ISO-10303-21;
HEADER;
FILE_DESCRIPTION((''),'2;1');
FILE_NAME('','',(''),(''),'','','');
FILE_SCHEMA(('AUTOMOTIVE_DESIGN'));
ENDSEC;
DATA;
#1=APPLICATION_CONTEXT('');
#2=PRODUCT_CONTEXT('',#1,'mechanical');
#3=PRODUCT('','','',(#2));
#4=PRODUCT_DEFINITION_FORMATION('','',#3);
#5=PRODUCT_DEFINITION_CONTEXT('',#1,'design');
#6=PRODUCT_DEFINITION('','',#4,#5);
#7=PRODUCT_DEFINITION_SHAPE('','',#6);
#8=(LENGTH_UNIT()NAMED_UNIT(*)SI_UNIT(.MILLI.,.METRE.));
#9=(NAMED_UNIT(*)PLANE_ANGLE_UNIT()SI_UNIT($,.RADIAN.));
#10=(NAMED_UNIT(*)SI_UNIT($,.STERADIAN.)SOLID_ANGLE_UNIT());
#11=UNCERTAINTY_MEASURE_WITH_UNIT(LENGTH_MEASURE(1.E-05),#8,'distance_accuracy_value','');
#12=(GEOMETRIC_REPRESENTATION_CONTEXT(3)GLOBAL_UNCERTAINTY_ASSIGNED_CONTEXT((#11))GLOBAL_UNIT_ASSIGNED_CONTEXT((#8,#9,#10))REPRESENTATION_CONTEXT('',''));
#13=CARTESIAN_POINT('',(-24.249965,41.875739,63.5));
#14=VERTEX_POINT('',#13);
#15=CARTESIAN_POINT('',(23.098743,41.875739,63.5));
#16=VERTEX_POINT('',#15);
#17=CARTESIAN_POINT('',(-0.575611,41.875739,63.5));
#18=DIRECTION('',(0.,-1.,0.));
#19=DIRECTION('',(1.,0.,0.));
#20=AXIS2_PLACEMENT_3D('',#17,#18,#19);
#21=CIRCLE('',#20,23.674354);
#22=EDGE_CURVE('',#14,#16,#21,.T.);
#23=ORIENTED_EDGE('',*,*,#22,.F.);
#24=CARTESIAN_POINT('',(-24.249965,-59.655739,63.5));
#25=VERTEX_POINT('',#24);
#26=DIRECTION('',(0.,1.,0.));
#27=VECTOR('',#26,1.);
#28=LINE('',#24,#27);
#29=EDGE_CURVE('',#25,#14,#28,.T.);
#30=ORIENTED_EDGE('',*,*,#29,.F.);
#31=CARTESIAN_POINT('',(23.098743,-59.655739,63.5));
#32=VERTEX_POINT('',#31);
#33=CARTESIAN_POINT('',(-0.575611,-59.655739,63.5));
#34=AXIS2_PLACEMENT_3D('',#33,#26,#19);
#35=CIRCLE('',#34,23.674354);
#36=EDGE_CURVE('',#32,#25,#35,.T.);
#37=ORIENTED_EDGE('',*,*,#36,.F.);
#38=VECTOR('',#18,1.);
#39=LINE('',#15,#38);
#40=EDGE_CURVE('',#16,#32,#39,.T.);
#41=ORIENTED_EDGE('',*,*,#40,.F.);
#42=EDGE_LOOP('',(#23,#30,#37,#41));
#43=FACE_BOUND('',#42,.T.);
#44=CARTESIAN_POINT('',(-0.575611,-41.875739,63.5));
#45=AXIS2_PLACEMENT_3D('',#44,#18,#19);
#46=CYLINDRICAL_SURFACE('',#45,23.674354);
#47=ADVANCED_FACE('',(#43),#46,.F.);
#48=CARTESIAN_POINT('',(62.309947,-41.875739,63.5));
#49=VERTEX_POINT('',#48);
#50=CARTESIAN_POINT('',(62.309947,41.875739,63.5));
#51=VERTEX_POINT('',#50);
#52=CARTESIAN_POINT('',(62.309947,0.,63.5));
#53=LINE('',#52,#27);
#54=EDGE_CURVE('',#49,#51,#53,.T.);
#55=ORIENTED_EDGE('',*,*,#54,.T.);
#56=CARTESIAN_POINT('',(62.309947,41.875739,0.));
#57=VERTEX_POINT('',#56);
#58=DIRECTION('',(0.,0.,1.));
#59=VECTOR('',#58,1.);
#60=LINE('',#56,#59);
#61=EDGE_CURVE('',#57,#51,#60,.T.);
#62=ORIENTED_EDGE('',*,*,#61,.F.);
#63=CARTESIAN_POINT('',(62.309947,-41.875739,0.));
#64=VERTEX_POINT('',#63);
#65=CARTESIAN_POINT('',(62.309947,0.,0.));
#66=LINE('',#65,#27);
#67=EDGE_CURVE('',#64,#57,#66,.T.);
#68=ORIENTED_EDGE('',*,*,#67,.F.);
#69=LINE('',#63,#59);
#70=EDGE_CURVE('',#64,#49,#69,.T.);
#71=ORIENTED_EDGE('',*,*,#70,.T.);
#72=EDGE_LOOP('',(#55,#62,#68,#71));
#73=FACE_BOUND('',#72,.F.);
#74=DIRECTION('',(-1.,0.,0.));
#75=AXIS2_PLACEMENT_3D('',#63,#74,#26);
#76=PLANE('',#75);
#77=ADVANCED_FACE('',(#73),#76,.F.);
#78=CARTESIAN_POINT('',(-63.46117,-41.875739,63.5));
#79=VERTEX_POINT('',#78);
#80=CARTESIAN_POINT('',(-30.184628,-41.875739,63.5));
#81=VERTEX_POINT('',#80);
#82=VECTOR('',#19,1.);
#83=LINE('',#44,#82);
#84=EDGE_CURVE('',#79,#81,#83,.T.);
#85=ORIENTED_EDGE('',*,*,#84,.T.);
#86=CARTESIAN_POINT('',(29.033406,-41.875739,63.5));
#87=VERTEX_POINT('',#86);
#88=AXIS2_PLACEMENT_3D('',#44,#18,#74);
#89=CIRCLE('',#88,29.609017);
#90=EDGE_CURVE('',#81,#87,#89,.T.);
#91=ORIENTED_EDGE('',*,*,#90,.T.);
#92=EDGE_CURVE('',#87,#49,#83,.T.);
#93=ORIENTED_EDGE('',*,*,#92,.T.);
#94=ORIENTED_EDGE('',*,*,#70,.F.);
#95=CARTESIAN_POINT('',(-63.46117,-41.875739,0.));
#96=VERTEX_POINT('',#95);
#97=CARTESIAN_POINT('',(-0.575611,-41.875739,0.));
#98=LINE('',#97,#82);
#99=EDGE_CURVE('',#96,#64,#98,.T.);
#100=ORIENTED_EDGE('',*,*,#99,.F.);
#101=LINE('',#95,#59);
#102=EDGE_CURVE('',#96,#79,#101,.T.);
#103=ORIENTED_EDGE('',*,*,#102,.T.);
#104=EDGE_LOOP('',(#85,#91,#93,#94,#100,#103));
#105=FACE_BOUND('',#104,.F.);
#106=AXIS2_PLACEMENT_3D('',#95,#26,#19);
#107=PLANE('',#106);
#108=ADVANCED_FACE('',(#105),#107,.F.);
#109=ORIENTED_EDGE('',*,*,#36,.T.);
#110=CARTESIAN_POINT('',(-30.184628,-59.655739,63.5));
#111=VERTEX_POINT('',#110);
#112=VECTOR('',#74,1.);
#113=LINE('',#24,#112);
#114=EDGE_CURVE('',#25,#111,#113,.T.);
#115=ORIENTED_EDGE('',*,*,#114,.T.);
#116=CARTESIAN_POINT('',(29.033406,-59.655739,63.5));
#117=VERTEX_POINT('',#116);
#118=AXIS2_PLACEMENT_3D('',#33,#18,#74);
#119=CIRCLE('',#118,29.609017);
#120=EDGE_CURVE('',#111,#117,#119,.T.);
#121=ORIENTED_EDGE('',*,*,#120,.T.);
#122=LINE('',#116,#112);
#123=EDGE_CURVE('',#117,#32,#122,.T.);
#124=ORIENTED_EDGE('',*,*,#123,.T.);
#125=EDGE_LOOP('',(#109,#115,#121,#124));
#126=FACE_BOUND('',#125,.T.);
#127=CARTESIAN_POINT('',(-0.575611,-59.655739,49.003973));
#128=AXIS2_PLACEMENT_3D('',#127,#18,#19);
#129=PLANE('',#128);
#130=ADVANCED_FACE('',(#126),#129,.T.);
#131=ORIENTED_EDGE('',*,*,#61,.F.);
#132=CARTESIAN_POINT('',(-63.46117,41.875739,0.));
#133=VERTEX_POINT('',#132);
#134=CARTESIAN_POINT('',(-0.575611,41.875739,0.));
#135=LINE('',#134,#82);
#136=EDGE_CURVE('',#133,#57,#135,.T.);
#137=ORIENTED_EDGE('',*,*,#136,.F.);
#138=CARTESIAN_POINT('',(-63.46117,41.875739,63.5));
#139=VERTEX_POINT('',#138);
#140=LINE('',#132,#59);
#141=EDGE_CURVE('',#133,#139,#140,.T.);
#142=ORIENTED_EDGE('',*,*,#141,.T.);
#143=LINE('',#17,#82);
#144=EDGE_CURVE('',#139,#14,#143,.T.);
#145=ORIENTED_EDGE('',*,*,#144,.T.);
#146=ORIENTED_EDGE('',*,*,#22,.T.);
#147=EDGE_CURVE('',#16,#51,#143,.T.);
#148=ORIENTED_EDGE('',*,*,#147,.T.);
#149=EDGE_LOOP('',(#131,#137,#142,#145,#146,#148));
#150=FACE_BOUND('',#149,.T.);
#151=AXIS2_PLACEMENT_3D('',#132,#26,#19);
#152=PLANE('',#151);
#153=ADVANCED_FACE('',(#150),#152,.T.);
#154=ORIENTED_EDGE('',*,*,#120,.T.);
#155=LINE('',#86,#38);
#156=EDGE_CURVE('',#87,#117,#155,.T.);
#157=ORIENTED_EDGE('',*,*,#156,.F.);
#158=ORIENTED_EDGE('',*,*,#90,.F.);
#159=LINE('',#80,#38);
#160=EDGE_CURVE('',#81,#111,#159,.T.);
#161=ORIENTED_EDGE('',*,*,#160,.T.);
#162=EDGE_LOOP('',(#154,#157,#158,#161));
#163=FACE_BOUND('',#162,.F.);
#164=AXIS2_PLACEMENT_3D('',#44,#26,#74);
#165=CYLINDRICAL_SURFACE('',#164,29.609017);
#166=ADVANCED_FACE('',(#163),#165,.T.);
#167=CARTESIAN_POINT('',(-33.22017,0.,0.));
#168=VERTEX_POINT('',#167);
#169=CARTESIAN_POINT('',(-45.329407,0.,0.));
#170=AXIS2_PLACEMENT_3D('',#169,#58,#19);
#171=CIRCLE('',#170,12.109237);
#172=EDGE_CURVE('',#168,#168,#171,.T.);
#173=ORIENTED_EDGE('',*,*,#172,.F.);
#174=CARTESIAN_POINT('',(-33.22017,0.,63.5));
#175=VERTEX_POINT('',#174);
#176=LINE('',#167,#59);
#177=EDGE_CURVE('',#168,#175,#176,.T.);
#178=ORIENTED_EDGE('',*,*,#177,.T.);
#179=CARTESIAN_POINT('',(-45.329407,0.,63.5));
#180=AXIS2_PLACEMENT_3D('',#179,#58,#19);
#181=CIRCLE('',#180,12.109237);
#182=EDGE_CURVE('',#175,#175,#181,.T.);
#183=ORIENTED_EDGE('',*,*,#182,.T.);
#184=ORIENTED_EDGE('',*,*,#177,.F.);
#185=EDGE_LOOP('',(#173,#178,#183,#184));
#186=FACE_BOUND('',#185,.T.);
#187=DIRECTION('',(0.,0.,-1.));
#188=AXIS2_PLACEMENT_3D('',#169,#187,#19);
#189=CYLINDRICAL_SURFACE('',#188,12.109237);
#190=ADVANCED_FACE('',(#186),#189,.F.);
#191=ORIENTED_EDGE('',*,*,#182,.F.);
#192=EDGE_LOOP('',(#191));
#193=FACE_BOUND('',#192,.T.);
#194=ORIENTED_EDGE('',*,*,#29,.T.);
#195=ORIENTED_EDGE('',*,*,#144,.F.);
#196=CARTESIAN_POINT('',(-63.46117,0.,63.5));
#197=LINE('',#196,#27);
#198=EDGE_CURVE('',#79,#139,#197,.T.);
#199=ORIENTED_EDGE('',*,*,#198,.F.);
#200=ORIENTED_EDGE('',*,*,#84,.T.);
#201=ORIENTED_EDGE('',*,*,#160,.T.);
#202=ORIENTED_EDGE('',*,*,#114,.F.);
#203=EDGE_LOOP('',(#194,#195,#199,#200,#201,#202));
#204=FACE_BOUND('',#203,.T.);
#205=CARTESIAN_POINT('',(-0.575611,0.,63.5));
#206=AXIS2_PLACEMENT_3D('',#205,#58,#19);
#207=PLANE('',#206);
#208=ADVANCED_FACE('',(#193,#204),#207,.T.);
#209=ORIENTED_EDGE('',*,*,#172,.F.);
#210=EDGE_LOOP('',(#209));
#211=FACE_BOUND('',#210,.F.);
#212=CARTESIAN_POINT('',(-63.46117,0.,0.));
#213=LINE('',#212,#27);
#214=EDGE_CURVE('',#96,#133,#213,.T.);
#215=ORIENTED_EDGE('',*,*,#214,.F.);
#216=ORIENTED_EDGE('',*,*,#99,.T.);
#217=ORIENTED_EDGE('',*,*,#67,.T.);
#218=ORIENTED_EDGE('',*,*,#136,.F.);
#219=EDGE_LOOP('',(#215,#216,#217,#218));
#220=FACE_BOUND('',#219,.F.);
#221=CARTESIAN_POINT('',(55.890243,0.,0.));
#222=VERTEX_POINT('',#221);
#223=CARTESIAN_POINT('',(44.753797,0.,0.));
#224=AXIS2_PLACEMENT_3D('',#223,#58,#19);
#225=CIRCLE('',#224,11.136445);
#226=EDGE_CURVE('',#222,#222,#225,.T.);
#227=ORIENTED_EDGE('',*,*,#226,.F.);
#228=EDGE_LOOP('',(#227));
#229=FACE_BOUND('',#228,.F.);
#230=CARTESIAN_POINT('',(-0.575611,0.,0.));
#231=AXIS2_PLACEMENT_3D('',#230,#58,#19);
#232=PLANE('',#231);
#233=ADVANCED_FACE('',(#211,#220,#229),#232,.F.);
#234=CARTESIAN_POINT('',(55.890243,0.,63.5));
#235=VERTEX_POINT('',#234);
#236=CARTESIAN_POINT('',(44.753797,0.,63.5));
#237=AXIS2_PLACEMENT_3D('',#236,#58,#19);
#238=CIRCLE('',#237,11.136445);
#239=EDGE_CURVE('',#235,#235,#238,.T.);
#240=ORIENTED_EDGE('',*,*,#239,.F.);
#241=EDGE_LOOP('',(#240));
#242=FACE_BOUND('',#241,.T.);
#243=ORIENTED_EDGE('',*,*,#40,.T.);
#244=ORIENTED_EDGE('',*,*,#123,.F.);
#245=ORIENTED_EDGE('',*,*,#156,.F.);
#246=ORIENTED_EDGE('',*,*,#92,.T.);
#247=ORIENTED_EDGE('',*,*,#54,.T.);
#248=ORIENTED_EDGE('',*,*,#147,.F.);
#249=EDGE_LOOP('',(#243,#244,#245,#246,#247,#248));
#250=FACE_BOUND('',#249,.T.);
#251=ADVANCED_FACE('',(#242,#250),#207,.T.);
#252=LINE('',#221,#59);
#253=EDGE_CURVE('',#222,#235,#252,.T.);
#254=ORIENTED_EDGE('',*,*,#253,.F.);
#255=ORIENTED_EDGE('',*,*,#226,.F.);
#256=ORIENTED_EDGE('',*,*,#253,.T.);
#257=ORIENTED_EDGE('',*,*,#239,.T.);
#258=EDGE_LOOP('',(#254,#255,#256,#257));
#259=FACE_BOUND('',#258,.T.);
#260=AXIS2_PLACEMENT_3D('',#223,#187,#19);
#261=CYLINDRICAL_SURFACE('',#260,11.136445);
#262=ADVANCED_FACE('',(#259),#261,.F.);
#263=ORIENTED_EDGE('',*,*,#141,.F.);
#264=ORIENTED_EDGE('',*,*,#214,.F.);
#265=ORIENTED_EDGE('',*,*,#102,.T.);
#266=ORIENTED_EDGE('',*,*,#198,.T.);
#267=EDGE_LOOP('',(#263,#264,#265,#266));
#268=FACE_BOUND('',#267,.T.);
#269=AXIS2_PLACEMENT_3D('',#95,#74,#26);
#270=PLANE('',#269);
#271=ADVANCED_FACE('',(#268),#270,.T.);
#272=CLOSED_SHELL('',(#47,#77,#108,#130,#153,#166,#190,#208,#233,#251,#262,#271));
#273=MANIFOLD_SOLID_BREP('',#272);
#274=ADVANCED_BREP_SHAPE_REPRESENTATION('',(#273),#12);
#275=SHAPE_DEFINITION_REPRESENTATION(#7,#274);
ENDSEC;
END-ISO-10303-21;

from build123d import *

# Parameters (mm, degrees)
F0_W     = 125.7711164653
F0_H     = 83.7514773011
F0_R     = 12.1092368637
F0_R_2   = 11.1364451926
F1_DEPTH = 63.5
F3_DEPTH = 17.78
F4_DEPTH = 98.044


with BuildPart() as f1:
    # F0 (on Top) → F1 (new body)
    with BuildSketch(Plane.XY):
        with Locations((-0.5756113678, 0)):
            Rectangle(F0_W, F0_H)
        with Locations((-45.3294068575, 0)):
            Circle(F0_R, mode=Mode.SUBTRACT)
        with Locations((44.7537973523, 0)):
            Circle(F0_R_2, mode=Mode.SUBTRACT)
    extrude(amount=F1_DEPTH)

    # F2 (on face) → F3 (join)
    with BuildSketch(Plane.XZ.offset(41.8757386506)):
        with BuildLine():
            Line((29.0334055844, 63.5), (23.0987426611, 63.5))
            ThreePointArc((23.0987426611, 63.5), (-0.5756113678, 39.8256459711), (-24.2499653967, 63.5))
            Line((-24.2499653967, 63.5), (-30.1846283201, 63.5))
            ThreePointArc((-30.1846283201, 63.5), (-0.5756113678, 33.8909830478), (29.0334055844, 63.5))
        make_face()
    extrude(amount=F3_DEPTH)

    # F4 (cut): a face of the model
    f4_faces = [f1.faces().sort_by_distance(p)[0] for p in [
        (-0.5756113678, -41.8757386506, 53.4522920848),
    ]]
    extrude(f4_faces, amount=-F4_DEPTH, mode=Mode.SUBTRACT)


solid = f1.part
